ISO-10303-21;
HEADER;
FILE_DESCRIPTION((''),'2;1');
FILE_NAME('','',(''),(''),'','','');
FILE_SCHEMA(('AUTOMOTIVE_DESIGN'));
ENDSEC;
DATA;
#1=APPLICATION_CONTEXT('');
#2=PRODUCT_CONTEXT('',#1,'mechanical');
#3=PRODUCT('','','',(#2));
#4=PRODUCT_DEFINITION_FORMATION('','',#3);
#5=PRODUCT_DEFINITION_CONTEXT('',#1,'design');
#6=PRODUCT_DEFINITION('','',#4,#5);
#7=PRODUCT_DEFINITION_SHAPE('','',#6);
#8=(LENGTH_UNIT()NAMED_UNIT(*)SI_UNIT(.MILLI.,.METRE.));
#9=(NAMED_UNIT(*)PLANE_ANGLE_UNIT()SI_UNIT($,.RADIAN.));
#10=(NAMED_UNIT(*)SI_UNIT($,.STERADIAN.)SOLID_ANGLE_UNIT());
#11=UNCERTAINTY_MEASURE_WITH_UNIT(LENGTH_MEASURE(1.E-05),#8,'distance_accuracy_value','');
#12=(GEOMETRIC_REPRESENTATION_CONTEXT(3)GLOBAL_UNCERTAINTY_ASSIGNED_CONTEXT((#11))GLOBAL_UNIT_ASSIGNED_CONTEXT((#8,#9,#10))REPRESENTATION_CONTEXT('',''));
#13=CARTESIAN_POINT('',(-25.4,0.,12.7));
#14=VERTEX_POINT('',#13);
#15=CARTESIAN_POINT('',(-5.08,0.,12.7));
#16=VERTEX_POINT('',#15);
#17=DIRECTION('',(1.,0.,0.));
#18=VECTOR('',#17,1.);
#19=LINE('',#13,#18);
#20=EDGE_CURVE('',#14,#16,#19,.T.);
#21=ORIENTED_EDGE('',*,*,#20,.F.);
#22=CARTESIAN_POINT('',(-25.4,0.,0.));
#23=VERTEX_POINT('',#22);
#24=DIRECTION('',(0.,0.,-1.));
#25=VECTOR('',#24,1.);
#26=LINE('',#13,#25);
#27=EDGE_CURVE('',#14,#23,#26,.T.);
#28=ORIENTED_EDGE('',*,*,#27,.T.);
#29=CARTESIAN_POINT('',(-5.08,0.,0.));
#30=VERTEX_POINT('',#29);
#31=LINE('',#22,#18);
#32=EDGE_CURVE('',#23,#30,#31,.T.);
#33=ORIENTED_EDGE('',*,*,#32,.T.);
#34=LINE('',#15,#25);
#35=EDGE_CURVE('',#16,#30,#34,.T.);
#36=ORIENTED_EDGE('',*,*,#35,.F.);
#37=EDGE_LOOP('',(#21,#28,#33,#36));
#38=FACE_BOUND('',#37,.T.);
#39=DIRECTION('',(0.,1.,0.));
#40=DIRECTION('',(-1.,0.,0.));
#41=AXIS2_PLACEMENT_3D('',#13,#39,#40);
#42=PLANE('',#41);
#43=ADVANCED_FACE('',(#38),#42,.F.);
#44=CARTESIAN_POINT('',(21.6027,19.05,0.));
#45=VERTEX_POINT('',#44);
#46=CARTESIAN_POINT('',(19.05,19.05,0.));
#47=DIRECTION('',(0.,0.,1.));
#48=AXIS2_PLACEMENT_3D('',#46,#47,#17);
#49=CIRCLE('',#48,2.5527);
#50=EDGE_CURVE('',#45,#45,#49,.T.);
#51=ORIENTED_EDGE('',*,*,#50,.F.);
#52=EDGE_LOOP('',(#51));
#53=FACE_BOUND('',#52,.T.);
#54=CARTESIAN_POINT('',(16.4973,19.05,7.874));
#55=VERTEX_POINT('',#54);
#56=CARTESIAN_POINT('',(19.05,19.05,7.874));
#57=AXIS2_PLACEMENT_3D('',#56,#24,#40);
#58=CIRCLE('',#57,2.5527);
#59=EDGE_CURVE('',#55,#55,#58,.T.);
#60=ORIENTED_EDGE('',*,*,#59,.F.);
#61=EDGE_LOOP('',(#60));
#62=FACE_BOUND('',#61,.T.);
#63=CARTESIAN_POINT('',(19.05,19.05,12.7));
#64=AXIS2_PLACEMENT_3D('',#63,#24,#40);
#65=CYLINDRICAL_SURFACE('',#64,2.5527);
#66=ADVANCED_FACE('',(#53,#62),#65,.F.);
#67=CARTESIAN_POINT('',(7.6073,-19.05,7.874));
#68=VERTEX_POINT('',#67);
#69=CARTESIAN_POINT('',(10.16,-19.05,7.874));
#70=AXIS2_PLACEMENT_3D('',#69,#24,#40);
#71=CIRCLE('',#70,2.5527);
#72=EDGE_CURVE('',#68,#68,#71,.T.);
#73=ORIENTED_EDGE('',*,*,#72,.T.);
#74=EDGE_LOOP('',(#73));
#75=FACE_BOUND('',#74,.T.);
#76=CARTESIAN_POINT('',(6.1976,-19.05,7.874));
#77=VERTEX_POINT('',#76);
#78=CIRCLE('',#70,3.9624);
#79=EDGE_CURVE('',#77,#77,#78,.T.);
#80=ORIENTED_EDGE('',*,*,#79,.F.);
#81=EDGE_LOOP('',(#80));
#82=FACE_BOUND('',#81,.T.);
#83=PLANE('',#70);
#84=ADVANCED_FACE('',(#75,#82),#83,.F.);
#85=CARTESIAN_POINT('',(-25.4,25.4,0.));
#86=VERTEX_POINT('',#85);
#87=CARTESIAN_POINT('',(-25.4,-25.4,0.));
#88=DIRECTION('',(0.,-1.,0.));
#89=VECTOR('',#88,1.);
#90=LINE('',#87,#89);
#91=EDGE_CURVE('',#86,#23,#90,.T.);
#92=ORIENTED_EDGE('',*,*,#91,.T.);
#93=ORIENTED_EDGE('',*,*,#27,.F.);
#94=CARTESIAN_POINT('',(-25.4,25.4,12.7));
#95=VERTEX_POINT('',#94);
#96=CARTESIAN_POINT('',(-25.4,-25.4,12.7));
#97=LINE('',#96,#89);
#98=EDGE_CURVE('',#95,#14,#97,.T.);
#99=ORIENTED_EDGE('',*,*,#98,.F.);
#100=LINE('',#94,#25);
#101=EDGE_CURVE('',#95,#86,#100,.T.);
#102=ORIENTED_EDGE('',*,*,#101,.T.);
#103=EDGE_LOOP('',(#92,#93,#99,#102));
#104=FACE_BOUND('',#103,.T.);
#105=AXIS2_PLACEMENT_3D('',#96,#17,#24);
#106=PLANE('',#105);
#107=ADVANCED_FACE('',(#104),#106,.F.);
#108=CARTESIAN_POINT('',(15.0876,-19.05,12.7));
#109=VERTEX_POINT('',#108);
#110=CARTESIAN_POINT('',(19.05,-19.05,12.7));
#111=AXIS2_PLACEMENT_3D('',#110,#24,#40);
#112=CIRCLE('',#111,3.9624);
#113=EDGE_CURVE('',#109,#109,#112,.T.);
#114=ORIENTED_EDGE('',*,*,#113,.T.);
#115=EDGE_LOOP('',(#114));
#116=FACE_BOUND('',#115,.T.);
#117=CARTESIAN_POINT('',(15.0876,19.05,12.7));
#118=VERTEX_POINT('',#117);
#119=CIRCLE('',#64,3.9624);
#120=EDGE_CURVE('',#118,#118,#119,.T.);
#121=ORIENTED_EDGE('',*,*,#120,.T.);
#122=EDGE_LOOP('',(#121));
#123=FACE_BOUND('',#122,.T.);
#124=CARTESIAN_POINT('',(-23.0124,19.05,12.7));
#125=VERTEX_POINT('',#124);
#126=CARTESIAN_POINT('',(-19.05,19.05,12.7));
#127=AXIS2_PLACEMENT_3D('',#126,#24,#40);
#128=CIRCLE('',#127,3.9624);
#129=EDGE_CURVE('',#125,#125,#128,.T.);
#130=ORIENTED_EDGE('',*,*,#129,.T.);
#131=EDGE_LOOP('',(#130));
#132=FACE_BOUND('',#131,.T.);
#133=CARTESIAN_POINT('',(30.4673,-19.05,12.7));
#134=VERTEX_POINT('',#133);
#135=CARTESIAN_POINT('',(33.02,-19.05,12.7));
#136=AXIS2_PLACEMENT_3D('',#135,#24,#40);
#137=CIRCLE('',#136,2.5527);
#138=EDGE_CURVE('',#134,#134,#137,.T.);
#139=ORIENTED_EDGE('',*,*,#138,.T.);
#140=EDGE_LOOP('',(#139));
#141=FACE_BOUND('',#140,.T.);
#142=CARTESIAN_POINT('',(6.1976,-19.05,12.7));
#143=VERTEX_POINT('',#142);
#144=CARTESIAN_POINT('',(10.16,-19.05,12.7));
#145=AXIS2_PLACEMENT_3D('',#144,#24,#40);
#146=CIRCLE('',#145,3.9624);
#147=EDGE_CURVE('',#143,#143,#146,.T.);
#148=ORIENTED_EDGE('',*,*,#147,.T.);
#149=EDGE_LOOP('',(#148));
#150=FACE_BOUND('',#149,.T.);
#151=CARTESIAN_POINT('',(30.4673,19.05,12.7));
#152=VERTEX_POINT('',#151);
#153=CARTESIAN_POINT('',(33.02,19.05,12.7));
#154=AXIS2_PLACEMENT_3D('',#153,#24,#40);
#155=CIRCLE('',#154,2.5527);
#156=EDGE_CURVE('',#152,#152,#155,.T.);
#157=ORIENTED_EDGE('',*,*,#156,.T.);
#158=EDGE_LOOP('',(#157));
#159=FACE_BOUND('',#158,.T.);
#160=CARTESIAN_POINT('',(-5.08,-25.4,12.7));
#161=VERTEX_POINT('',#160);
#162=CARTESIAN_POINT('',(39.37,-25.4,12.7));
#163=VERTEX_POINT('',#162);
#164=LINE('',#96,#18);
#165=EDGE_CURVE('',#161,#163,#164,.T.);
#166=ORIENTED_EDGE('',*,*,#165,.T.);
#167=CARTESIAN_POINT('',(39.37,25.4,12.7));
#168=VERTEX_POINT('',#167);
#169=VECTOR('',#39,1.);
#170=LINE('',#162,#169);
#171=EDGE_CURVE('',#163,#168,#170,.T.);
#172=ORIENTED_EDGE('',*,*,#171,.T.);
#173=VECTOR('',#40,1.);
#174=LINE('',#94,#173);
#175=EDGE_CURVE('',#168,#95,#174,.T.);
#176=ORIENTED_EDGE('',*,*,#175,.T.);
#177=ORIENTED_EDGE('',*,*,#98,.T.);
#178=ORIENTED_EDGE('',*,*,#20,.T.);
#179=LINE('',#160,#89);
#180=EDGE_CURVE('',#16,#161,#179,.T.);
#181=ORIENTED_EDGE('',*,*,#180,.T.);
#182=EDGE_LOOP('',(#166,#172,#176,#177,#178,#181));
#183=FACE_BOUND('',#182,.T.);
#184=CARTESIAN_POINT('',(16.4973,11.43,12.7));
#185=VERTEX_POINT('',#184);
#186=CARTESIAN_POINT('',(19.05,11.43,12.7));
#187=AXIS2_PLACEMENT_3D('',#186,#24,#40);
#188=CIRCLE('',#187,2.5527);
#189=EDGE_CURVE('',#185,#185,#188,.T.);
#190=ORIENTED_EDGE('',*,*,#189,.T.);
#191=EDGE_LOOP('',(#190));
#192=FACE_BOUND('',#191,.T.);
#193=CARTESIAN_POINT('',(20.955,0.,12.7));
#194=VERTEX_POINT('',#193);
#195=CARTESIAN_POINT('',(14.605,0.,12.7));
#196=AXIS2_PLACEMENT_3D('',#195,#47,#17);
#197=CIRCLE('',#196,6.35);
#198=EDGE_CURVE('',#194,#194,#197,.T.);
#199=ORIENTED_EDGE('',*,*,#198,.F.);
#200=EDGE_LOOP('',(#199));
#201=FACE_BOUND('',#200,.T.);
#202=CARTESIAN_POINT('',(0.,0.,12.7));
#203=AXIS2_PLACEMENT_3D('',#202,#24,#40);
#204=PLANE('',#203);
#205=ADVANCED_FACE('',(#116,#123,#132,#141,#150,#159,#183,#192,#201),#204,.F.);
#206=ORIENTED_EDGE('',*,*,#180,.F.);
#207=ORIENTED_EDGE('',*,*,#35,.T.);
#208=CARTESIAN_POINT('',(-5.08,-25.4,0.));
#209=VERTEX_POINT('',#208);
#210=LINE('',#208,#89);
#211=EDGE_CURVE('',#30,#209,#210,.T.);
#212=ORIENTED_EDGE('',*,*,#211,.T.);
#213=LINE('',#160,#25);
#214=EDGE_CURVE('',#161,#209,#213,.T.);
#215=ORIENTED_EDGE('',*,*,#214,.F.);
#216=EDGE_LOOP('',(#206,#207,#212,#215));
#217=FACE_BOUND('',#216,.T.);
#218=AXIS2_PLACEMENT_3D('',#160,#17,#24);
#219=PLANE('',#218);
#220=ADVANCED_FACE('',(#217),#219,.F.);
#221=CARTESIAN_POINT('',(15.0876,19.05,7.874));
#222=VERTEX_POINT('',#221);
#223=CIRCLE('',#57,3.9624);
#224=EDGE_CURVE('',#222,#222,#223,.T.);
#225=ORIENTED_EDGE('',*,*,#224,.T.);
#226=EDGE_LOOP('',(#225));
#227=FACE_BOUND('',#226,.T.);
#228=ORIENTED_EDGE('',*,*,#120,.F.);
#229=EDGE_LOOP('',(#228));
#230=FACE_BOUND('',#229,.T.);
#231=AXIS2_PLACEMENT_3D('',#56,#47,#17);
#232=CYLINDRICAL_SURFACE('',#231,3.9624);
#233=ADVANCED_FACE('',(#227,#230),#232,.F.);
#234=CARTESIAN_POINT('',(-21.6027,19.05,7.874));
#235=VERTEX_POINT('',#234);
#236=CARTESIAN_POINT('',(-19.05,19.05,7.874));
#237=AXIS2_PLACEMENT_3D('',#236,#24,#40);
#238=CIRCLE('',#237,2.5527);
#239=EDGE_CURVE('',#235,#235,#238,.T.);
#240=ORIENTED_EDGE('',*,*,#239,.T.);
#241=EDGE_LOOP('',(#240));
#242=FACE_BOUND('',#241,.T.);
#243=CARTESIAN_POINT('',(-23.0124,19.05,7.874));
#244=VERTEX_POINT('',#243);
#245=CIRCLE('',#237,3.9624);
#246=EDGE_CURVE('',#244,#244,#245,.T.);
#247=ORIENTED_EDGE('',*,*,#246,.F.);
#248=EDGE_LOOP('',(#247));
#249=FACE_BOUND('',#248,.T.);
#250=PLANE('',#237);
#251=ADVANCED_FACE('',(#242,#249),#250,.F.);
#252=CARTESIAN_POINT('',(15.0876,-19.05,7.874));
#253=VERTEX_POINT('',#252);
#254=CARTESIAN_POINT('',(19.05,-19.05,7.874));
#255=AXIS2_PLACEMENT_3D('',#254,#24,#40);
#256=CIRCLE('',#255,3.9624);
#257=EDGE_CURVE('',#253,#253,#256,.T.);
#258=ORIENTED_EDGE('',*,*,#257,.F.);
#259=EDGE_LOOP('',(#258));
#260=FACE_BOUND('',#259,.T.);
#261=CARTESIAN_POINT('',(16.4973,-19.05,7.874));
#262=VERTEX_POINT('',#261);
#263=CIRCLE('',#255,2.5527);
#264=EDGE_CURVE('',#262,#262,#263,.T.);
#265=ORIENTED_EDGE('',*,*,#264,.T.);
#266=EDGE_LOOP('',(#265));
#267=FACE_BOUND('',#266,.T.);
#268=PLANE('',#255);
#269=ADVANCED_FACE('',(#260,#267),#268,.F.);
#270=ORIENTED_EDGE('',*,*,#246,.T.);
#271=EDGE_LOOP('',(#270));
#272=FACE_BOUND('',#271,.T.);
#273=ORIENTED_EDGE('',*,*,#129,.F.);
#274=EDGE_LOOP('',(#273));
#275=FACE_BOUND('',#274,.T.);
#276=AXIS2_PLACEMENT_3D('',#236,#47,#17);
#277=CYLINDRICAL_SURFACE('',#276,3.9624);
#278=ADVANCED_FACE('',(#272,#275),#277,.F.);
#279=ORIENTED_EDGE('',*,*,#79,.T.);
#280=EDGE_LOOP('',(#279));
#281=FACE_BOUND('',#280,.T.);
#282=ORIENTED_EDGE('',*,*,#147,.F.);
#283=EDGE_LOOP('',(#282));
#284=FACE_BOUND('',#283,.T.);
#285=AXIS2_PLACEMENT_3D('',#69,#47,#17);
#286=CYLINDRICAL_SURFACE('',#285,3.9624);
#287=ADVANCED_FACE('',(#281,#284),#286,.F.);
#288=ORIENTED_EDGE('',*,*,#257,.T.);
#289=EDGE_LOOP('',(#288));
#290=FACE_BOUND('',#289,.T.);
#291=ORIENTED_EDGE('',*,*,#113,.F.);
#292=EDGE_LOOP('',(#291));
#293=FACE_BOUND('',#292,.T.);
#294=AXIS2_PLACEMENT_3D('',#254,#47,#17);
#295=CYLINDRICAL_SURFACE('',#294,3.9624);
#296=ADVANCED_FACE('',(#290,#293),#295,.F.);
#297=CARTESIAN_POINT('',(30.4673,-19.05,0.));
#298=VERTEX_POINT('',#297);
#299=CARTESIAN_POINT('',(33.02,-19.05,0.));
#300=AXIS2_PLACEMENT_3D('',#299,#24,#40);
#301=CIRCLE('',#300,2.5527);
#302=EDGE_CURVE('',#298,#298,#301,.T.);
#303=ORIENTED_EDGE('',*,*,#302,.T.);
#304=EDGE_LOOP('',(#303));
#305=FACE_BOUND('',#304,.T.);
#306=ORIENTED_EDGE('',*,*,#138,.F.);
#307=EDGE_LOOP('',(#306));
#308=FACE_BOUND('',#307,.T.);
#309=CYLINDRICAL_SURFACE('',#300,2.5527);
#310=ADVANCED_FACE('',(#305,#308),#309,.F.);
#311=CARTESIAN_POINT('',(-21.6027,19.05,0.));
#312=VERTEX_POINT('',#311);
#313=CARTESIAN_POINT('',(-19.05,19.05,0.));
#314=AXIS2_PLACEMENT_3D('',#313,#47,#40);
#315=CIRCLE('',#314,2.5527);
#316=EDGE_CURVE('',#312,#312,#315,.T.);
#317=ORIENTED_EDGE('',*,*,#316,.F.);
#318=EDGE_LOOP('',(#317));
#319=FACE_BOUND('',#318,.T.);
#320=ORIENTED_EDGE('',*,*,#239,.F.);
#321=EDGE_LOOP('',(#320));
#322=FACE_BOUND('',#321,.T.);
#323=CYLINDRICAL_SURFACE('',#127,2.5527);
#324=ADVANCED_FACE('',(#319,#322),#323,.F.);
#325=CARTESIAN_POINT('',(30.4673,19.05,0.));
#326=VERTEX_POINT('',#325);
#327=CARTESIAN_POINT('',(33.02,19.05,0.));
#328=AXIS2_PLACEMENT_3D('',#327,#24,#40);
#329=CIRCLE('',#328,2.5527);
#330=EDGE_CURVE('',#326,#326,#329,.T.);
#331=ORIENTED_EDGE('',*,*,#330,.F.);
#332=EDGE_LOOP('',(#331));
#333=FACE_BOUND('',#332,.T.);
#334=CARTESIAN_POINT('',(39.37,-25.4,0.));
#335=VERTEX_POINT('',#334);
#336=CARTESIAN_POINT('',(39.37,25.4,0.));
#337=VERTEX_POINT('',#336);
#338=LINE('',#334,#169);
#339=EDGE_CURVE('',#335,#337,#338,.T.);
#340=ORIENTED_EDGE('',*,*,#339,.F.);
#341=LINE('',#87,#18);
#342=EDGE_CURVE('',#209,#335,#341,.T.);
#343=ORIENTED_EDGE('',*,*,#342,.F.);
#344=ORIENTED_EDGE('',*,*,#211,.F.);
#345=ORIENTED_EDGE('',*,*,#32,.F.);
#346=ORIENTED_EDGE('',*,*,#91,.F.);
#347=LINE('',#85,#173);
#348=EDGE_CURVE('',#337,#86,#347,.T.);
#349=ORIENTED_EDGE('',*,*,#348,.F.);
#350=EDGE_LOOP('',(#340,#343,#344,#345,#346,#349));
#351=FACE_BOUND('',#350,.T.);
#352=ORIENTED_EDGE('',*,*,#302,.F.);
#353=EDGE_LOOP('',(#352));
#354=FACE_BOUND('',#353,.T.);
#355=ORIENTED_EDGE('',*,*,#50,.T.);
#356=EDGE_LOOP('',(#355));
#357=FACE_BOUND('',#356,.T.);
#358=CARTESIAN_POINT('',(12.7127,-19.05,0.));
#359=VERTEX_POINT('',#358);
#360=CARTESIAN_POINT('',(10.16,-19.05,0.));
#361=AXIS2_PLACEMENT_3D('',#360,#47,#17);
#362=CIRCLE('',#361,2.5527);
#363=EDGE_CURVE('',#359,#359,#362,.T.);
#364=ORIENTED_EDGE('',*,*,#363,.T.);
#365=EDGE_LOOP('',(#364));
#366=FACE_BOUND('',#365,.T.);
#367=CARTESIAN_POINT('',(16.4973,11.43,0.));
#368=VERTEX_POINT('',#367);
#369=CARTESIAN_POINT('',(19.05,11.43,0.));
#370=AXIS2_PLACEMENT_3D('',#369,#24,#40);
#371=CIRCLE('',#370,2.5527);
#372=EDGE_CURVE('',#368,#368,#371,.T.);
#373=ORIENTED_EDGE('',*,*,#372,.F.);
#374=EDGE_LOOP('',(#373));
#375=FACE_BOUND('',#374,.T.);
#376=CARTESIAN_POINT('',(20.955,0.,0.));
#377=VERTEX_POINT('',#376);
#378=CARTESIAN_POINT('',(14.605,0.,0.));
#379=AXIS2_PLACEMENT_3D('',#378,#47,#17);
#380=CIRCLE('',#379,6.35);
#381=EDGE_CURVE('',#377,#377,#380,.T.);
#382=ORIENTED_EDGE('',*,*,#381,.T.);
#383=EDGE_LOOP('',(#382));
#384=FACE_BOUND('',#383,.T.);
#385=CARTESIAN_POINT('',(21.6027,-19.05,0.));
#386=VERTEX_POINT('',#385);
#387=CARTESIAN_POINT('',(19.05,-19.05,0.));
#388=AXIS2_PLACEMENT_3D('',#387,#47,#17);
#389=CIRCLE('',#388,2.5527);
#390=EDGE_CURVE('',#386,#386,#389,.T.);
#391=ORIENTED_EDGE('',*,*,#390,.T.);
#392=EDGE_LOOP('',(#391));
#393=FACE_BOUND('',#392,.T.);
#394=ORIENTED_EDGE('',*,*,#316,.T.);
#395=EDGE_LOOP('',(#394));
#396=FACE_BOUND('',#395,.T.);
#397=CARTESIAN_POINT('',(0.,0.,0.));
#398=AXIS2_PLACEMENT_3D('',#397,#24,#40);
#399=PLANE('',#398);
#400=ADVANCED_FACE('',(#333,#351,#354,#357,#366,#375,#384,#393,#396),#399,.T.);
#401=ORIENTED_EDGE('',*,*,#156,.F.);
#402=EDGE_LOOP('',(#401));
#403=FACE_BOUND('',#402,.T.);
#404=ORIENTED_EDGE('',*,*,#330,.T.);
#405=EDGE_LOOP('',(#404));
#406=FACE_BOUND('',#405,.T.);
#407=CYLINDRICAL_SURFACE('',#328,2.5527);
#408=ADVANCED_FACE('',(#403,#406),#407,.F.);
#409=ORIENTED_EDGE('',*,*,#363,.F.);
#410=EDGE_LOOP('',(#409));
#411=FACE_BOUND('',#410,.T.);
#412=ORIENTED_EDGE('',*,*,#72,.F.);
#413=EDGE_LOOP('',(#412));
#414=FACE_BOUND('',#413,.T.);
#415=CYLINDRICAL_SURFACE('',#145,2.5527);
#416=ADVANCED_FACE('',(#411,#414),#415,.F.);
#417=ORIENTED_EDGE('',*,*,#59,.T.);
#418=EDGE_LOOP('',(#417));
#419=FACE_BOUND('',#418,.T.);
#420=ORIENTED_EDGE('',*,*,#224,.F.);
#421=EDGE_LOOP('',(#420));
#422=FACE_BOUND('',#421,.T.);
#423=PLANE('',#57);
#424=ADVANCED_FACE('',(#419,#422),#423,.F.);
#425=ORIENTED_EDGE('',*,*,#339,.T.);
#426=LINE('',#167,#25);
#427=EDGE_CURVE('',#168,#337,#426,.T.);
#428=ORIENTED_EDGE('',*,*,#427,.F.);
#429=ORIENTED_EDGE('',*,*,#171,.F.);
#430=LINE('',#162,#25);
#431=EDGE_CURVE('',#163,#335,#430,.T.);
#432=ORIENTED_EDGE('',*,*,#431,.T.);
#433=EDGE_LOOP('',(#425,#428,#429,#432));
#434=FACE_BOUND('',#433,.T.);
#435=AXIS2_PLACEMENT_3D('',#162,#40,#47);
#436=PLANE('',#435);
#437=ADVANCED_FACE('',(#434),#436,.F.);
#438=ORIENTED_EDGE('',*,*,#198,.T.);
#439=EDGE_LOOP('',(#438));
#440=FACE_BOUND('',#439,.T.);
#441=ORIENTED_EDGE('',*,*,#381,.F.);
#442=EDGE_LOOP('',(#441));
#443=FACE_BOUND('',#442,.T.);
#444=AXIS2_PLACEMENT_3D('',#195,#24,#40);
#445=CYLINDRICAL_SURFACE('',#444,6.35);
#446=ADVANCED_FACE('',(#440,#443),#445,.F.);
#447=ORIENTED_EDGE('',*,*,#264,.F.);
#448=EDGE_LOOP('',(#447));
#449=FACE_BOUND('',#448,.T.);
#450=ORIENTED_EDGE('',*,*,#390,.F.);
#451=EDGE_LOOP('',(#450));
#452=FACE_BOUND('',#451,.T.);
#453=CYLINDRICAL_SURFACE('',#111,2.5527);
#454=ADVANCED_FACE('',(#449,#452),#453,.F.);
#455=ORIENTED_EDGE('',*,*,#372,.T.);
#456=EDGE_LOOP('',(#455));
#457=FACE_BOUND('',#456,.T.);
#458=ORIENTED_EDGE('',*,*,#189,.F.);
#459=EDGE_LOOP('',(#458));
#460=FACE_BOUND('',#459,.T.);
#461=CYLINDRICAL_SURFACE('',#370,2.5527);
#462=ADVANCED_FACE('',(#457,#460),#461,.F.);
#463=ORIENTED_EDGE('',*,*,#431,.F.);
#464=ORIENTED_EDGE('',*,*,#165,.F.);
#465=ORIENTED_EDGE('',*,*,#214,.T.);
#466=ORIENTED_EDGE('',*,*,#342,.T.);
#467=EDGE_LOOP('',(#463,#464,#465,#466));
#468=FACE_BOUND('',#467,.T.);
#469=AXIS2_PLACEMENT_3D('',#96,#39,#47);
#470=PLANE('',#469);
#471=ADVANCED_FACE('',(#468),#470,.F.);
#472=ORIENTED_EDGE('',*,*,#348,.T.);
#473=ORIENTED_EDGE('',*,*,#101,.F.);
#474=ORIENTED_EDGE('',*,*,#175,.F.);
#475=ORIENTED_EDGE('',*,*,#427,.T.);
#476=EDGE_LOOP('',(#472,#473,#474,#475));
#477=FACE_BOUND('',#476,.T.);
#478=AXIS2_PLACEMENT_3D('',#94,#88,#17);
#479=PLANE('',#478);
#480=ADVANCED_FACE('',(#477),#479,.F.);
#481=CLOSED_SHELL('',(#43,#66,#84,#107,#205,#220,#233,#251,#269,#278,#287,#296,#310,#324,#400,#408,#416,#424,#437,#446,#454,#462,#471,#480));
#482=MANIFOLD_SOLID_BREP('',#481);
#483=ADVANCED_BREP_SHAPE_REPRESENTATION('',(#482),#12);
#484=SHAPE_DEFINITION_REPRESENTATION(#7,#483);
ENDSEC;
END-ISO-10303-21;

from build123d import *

# Parameters (mm, degrees)
SKETCH1_W                      = 64.77
SKETCH1_H                      = 50.8
SKETCH1_R                      = 2.5527
SKETCH1_R_2                    = 6.35
BOSS_EXTRUDE1_DEPTH            = 12.7
F_7_0_201_DIAMETER_HOLE1_D     = 5.1054
F_7_0_201_DIAMETER_HOLE1_DEPTH = 70.104
F_7_0_201_DIAMETER_HOLE1_TIP   = 1.533816902
SKETCH6_R                      = 3.9624
CUT_EXTRUDE1_DEPTH             = 4.826
SKETCH7_W                      = 20.32
SKETCH7_H                      = 25.4
CUT_EXTRUDE2_DEPTH             = 49.543247728


with BuildPart() as part:
    # Sketch1 → Boss-Extrude1 (new body)
    with BuildSketch(Plane.XY):
        with Locations((6.985, 0)):
            Rectangle(SKETCH1_W, SKETCH1_H)
        with Locations(Location((-19.05, 19.05, 0), (0, 0, 180))):
            Circle(SKETCH1_R, mode=Mode.SUBTRACT)
        with Locations((19.05, 19.05)):
            Circle(SKETCH1_R, mode=Mode.SUBTRACT)
        with Locations((19.05, -19.05)):
            Circle(SKETCH1_R, mode=Mode.SUBTRACT)
        with Locations((10.16, -19.05)):
            Circle(SKETCH1_R, mode=Mode.SUBTRACT)
        with Locations((14.605, 0)):
            Circle(SKETCH1_R_2, mode=Mode.SUBTRACT)
    extrude(amount=BOSS_EXTRUDE1_DEPTH)

    # #7 (0.201) Diameter Hole1
    with Locations(Plane(origin=(-24.721209515, -12.864288698, 0), x_dir=(1, 0, 0), z_dir=(0, 0, -1))):
        with Locations((57.741209515, 6.185711302), (57.741209515, -31.914288698), (43.771209515, -24.294288698)):
            Hole(F_7_0_201_DIAMETER_HOLE1_D / 2, depth=F_7_0_201_DIAMETER_HOLE1_DEPTH)
            with Locations((0, 0, -(F_7_0_201_DIAMETER_HOLE1_DEPTH + F_7_0_201_DIAMETER_HOLE1_TIP / 2))):  # 118° drill point
                Cone(0, F_7_0_201_DIAMETER_HOLE1_D / 2, F_7_0_201_DIAMETER_HOLE1_TIP, mode=Mode.SUBTRACT)

    # Sketch6 → Cut-Extrude1 (cut)
    with BuildSketch(Plane(origin=(0, 0, 12.7), x_dir=(-1, 0, 0), z_dir=(0, 0, -1))):
        with Locations((-19.05, 19.05)):
            Circle(SKETCH6_R)
        with Locations((-19.05, -19.05)):
            Circle(SKETCH6_R)
        with Locations((-10.16, -19.05)):
            Circle(SKETCH6_R)
        with Locations((19.05, 19.05)):
            Circle(SKETCH6_R)
    extrude(amount=CUT_EXTRUDE1_DEPTH, mode=Mode.SUBTRACT)

    # Sketch7 → Cut-Extrude2 (cut, through all)
    with BuildSketch(Plane(origin=(0, 0, 0), x_dir=(-1, 0, 0), z_dir=(0, 0, -1))):
        with Locations((15.24, -12.7)):
            Rectangle(SKETCH7_W, SKETCH7_H)
    extrude(amount=-CUT_EXTRUDE2_DEPTH, mode=Mode.SUBTRACT)


solid = part.part
